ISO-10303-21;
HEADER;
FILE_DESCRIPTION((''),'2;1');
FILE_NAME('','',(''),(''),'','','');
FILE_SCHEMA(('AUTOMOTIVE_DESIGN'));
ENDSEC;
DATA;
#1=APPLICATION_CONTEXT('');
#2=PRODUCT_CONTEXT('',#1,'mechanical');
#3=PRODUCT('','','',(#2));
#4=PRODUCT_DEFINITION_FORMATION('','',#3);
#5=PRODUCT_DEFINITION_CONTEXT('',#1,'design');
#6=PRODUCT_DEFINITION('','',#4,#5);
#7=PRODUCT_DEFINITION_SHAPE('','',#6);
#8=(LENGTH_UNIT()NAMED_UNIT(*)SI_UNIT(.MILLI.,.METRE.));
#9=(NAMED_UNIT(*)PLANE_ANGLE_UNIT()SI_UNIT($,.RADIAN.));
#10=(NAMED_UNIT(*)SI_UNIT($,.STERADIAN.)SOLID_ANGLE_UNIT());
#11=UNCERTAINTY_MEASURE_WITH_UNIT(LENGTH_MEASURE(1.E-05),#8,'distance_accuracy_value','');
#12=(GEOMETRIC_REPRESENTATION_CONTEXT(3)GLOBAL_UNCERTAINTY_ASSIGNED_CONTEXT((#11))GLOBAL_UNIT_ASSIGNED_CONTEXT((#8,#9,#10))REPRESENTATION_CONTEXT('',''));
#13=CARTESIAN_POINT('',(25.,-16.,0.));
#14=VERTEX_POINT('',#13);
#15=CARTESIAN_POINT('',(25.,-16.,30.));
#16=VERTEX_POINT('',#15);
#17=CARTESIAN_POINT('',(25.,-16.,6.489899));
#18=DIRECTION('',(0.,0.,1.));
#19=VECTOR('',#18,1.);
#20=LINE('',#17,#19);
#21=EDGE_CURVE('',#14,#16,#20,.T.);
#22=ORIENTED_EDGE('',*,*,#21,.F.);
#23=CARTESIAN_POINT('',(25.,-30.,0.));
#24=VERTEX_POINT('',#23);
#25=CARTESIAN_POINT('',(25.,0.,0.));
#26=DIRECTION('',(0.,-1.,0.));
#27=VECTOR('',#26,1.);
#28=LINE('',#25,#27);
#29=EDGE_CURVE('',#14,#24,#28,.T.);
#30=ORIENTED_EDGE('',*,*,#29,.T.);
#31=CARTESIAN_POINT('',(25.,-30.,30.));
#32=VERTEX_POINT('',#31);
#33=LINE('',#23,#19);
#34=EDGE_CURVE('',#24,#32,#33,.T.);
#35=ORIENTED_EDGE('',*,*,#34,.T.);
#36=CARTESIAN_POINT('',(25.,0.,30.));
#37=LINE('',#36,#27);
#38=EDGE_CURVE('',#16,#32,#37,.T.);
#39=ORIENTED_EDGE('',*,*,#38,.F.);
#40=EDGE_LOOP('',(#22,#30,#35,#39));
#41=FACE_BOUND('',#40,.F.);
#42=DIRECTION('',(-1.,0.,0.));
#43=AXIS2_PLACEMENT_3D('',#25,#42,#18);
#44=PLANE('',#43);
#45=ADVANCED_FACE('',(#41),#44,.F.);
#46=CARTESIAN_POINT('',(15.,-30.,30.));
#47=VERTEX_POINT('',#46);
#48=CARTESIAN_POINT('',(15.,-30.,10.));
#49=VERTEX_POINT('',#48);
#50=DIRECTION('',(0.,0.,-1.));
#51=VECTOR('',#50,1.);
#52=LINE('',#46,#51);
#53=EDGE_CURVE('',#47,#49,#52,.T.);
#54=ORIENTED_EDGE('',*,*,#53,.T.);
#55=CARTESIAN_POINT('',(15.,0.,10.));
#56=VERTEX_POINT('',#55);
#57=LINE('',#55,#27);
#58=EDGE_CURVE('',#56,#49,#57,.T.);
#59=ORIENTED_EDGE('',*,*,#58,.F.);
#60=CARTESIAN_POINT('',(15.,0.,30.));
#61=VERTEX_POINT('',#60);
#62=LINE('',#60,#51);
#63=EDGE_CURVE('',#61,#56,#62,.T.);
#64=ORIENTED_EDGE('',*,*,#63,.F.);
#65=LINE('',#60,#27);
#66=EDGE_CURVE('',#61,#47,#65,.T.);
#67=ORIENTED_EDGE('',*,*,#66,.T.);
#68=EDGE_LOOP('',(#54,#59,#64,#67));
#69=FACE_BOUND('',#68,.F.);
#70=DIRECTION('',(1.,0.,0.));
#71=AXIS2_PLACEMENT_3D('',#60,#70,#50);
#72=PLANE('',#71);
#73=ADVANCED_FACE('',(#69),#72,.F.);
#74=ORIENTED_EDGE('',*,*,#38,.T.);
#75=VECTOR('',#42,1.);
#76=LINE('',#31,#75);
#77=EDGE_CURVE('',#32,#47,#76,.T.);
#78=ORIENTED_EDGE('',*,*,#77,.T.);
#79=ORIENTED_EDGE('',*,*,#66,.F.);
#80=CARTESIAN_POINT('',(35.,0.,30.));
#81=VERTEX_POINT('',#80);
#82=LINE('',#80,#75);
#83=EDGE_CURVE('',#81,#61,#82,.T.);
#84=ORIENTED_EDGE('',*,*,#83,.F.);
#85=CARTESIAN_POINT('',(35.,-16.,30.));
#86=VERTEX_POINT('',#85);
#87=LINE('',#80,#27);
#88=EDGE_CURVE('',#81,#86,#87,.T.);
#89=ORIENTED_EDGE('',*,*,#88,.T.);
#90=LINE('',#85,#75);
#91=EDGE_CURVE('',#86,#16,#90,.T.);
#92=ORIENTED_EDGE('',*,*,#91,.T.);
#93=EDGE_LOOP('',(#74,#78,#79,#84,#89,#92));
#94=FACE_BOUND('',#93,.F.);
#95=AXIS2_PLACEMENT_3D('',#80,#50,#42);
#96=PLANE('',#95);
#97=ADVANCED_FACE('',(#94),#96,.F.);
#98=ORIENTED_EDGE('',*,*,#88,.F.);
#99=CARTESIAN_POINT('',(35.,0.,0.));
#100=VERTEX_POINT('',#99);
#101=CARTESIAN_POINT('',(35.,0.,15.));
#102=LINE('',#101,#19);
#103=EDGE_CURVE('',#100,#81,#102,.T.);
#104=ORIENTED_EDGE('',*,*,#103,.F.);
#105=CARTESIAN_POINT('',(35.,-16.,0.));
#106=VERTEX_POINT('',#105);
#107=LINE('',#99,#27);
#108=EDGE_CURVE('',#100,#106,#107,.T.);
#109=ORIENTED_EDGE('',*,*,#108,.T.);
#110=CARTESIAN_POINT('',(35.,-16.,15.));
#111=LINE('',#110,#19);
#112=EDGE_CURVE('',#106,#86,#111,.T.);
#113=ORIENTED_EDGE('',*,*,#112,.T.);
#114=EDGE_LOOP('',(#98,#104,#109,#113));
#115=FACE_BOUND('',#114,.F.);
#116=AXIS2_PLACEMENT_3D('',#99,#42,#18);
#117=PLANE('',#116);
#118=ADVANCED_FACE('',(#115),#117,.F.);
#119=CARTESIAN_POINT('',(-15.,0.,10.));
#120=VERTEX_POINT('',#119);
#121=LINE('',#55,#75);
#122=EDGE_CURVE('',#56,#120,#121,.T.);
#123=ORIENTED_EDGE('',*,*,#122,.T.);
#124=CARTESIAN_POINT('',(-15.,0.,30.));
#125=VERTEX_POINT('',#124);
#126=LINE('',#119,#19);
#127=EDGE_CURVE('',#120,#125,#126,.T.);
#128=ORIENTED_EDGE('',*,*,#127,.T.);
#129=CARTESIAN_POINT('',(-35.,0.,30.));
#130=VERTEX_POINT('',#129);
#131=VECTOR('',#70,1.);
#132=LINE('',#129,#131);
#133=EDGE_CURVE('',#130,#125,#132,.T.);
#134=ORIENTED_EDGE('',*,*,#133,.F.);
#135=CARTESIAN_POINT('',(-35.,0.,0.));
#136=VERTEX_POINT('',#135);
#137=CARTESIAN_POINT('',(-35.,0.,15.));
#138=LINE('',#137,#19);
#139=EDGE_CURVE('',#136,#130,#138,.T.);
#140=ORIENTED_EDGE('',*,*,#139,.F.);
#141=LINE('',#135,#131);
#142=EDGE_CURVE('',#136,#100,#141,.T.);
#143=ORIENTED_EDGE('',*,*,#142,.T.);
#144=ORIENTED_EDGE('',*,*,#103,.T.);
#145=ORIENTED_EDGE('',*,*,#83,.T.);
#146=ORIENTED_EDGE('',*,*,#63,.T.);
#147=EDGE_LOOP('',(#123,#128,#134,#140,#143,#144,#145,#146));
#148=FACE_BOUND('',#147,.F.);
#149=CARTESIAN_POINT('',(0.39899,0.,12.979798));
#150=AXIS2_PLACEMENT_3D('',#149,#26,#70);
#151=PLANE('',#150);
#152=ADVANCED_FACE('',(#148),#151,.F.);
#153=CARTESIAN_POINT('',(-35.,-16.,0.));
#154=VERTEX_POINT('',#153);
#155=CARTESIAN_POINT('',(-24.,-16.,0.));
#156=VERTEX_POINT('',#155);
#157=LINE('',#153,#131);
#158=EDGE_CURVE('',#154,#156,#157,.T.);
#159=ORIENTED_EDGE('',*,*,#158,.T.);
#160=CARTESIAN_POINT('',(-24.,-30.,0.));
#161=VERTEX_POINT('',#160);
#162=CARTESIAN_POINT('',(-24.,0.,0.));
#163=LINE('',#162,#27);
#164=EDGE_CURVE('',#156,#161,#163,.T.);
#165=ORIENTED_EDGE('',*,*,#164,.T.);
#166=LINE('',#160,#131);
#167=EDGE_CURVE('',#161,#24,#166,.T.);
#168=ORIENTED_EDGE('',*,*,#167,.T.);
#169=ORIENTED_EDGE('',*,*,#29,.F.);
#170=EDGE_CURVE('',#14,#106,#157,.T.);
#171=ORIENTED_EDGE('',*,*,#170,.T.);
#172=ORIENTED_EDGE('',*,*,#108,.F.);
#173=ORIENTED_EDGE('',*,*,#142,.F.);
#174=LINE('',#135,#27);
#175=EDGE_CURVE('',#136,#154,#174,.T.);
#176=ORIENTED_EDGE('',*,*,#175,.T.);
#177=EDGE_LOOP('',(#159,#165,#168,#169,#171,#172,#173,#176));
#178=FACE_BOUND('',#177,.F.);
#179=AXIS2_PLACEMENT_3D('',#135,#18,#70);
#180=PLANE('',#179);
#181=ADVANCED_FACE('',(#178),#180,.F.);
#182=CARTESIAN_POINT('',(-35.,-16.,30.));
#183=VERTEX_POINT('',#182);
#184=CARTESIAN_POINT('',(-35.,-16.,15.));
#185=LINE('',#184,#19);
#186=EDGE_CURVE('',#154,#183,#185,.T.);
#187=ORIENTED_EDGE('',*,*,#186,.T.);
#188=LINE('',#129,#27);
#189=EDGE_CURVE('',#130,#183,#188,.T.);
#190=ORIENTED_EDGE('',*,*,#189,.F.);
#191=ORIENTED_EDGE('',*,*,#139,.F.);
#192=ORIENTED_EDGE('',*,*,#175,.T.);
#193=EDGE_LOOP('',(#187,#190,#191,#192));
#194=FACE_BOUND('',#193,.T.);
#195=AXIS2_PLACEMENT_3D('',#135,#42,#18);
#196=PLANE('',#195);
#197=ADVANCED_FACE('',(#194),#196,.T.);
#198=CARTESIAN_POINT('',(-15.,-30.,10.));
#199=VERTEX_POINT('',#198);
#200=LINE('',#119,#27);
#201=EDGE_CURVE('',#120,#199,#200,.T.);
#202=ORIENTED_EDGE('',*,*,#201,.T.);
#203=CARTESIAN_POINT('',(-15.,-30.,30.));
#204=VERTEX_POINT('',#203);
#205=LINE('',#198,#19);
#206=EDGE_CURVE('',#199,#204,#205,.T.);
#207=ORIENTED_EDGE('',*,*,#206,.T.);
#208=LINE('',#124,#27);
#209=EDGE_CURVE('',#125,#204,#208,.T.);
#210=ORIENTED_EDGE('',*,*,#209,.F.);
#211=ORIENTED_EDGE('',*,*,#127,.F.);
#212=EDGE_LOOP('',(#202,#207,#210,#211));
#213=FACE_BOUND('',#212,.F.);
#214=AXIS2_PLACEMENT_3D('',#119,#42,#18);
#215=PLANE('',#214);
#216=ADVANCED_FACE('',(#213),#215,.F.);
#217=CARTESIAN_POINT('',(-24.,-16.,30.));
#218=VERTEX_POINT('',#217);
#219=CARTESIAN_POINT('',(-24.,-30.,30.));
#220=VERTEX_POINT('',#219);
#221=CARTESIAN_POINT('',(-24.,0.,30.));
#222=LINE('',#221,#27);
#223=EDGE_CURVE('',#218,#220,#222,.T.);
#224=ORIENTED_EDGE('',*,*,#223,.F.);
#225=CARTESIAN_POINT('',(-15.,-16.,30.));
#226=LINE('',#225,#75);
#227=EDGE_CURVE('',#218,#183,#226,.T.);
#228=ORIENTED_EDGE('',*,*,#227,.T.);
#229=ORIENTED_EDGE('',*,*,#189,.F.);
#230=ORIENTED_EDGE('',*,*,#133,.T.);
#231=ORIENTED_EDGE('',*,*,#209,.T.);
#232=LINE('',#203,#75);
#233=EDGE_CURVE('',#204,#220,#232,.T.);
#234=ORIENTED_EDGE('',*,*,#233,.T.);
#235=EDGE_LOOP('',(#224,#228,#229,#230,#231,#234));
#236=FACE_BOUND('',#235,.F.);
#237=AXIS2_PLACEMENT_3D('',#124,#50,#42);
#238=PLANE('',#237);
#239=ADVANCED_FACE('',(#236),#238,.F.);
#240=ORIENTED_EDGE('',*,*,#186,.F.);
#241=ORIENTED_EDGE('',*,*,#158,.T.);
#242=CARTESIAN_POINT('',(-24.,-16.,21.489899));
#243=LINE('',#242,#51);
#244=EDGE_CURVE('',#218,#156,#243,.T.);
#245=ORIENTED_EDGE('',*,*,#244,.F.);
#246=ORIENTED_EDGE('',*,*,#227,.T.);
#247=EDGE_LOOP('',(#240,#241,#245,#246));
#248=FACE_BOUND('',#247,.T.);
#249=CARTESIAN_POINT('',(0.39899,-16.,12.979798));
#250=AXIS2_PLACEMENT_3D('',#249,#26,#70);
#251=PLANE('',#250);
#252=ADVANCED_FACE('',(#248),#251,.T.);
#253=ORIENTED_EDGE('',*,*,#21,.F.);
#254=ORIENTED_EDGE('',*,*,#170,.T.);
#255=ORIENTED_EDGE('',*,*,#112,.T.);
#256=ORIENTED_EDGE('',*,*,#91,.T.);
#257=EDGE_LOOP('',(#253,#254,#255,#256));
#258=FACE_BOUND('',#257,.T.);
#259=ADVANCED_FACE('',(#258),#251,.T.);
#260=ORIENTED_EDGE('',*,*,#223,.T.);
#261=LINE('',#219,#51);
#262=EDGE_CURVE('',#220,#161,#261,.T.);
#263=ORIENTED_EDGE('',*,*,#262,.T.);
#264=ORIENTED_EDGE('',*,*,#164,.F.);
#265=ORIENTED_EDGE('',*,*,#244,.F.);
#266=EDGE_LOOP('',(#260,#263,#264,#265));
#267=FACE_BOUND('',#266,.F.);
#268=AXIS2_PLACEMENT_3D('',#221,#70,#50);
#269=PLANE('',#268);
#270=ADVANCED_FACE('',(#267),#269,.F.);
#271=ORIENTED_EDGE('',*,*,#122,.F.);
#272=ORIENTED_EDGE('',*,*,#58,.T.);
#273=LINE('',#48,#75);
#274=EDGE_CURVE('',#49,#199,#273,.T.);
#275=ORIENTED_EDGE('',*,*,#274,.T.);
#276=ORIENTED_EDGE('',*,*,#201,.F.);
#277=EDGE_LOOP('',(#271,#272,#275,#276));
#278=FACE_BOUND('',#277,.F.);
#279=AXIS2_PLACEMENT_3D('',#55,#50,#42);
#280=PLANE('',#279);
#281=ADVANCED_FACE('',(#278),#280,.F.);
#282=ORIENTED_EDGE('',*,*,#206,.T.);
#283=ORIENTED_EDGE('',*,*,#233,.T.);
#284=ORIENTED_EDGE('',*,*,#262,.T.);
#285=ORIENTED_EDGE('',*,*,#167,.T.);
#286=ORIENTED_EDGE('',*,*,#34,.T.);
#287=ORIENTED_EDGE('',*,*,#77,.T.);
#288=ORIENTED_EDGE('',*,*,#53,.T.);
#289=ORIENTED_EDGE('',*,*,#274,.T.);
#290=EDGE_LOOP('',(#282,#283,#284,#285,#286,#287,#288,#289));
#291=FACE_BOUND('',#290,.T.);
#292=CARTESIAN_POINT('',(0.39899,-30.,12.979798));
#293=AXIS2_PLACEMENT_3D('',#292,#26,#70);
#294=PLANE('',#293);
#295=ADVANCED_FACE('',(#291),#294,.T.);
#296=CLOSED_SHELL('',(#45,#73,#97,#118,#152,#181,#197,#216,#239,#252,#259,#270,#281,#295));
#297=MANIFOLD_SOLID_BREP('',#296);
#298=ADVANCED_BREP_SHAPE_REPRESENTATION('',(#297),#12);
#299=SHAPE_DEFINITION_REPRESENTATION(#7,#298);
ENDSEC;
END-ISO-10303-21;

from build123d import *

# Parameters (mm, degrees)
F1_DEPTH = 30
F0_W     = 10
F0_H     = 30
F0_W_2   = 11
F2_DEPTH = 16


with BuildPart() as f1:
    # F0 (on Front) → F1 (new body)
    with BuildSketch(Plane.XZ):
        Polygon((-24, 0), (0, 0), (25, 0), (25, 30), (15, 30), (15, 10), (-15, 10), (-15, 30), (-24, 30), align=None)
    extrude(amount=F1_DEPTH)

    # F0 (on Front) → F2 (join)
    with BuildSketch(Plane.XZ):
        Polygon((-24, 0), (0, 0), (25, 0), (25, 30), (15, 30), (15, 10), (-15, 10), (-15, 30), (-24, 30), align=None)
        with Locations((30, 15)):
            Rectangle(F0_W, F0_H)
        with Locations((-29.5, 15)):
            Rectangle(F0_W_2, F0_H)
    extrude(amount=F2_DEPTH)


solid = f1.part
